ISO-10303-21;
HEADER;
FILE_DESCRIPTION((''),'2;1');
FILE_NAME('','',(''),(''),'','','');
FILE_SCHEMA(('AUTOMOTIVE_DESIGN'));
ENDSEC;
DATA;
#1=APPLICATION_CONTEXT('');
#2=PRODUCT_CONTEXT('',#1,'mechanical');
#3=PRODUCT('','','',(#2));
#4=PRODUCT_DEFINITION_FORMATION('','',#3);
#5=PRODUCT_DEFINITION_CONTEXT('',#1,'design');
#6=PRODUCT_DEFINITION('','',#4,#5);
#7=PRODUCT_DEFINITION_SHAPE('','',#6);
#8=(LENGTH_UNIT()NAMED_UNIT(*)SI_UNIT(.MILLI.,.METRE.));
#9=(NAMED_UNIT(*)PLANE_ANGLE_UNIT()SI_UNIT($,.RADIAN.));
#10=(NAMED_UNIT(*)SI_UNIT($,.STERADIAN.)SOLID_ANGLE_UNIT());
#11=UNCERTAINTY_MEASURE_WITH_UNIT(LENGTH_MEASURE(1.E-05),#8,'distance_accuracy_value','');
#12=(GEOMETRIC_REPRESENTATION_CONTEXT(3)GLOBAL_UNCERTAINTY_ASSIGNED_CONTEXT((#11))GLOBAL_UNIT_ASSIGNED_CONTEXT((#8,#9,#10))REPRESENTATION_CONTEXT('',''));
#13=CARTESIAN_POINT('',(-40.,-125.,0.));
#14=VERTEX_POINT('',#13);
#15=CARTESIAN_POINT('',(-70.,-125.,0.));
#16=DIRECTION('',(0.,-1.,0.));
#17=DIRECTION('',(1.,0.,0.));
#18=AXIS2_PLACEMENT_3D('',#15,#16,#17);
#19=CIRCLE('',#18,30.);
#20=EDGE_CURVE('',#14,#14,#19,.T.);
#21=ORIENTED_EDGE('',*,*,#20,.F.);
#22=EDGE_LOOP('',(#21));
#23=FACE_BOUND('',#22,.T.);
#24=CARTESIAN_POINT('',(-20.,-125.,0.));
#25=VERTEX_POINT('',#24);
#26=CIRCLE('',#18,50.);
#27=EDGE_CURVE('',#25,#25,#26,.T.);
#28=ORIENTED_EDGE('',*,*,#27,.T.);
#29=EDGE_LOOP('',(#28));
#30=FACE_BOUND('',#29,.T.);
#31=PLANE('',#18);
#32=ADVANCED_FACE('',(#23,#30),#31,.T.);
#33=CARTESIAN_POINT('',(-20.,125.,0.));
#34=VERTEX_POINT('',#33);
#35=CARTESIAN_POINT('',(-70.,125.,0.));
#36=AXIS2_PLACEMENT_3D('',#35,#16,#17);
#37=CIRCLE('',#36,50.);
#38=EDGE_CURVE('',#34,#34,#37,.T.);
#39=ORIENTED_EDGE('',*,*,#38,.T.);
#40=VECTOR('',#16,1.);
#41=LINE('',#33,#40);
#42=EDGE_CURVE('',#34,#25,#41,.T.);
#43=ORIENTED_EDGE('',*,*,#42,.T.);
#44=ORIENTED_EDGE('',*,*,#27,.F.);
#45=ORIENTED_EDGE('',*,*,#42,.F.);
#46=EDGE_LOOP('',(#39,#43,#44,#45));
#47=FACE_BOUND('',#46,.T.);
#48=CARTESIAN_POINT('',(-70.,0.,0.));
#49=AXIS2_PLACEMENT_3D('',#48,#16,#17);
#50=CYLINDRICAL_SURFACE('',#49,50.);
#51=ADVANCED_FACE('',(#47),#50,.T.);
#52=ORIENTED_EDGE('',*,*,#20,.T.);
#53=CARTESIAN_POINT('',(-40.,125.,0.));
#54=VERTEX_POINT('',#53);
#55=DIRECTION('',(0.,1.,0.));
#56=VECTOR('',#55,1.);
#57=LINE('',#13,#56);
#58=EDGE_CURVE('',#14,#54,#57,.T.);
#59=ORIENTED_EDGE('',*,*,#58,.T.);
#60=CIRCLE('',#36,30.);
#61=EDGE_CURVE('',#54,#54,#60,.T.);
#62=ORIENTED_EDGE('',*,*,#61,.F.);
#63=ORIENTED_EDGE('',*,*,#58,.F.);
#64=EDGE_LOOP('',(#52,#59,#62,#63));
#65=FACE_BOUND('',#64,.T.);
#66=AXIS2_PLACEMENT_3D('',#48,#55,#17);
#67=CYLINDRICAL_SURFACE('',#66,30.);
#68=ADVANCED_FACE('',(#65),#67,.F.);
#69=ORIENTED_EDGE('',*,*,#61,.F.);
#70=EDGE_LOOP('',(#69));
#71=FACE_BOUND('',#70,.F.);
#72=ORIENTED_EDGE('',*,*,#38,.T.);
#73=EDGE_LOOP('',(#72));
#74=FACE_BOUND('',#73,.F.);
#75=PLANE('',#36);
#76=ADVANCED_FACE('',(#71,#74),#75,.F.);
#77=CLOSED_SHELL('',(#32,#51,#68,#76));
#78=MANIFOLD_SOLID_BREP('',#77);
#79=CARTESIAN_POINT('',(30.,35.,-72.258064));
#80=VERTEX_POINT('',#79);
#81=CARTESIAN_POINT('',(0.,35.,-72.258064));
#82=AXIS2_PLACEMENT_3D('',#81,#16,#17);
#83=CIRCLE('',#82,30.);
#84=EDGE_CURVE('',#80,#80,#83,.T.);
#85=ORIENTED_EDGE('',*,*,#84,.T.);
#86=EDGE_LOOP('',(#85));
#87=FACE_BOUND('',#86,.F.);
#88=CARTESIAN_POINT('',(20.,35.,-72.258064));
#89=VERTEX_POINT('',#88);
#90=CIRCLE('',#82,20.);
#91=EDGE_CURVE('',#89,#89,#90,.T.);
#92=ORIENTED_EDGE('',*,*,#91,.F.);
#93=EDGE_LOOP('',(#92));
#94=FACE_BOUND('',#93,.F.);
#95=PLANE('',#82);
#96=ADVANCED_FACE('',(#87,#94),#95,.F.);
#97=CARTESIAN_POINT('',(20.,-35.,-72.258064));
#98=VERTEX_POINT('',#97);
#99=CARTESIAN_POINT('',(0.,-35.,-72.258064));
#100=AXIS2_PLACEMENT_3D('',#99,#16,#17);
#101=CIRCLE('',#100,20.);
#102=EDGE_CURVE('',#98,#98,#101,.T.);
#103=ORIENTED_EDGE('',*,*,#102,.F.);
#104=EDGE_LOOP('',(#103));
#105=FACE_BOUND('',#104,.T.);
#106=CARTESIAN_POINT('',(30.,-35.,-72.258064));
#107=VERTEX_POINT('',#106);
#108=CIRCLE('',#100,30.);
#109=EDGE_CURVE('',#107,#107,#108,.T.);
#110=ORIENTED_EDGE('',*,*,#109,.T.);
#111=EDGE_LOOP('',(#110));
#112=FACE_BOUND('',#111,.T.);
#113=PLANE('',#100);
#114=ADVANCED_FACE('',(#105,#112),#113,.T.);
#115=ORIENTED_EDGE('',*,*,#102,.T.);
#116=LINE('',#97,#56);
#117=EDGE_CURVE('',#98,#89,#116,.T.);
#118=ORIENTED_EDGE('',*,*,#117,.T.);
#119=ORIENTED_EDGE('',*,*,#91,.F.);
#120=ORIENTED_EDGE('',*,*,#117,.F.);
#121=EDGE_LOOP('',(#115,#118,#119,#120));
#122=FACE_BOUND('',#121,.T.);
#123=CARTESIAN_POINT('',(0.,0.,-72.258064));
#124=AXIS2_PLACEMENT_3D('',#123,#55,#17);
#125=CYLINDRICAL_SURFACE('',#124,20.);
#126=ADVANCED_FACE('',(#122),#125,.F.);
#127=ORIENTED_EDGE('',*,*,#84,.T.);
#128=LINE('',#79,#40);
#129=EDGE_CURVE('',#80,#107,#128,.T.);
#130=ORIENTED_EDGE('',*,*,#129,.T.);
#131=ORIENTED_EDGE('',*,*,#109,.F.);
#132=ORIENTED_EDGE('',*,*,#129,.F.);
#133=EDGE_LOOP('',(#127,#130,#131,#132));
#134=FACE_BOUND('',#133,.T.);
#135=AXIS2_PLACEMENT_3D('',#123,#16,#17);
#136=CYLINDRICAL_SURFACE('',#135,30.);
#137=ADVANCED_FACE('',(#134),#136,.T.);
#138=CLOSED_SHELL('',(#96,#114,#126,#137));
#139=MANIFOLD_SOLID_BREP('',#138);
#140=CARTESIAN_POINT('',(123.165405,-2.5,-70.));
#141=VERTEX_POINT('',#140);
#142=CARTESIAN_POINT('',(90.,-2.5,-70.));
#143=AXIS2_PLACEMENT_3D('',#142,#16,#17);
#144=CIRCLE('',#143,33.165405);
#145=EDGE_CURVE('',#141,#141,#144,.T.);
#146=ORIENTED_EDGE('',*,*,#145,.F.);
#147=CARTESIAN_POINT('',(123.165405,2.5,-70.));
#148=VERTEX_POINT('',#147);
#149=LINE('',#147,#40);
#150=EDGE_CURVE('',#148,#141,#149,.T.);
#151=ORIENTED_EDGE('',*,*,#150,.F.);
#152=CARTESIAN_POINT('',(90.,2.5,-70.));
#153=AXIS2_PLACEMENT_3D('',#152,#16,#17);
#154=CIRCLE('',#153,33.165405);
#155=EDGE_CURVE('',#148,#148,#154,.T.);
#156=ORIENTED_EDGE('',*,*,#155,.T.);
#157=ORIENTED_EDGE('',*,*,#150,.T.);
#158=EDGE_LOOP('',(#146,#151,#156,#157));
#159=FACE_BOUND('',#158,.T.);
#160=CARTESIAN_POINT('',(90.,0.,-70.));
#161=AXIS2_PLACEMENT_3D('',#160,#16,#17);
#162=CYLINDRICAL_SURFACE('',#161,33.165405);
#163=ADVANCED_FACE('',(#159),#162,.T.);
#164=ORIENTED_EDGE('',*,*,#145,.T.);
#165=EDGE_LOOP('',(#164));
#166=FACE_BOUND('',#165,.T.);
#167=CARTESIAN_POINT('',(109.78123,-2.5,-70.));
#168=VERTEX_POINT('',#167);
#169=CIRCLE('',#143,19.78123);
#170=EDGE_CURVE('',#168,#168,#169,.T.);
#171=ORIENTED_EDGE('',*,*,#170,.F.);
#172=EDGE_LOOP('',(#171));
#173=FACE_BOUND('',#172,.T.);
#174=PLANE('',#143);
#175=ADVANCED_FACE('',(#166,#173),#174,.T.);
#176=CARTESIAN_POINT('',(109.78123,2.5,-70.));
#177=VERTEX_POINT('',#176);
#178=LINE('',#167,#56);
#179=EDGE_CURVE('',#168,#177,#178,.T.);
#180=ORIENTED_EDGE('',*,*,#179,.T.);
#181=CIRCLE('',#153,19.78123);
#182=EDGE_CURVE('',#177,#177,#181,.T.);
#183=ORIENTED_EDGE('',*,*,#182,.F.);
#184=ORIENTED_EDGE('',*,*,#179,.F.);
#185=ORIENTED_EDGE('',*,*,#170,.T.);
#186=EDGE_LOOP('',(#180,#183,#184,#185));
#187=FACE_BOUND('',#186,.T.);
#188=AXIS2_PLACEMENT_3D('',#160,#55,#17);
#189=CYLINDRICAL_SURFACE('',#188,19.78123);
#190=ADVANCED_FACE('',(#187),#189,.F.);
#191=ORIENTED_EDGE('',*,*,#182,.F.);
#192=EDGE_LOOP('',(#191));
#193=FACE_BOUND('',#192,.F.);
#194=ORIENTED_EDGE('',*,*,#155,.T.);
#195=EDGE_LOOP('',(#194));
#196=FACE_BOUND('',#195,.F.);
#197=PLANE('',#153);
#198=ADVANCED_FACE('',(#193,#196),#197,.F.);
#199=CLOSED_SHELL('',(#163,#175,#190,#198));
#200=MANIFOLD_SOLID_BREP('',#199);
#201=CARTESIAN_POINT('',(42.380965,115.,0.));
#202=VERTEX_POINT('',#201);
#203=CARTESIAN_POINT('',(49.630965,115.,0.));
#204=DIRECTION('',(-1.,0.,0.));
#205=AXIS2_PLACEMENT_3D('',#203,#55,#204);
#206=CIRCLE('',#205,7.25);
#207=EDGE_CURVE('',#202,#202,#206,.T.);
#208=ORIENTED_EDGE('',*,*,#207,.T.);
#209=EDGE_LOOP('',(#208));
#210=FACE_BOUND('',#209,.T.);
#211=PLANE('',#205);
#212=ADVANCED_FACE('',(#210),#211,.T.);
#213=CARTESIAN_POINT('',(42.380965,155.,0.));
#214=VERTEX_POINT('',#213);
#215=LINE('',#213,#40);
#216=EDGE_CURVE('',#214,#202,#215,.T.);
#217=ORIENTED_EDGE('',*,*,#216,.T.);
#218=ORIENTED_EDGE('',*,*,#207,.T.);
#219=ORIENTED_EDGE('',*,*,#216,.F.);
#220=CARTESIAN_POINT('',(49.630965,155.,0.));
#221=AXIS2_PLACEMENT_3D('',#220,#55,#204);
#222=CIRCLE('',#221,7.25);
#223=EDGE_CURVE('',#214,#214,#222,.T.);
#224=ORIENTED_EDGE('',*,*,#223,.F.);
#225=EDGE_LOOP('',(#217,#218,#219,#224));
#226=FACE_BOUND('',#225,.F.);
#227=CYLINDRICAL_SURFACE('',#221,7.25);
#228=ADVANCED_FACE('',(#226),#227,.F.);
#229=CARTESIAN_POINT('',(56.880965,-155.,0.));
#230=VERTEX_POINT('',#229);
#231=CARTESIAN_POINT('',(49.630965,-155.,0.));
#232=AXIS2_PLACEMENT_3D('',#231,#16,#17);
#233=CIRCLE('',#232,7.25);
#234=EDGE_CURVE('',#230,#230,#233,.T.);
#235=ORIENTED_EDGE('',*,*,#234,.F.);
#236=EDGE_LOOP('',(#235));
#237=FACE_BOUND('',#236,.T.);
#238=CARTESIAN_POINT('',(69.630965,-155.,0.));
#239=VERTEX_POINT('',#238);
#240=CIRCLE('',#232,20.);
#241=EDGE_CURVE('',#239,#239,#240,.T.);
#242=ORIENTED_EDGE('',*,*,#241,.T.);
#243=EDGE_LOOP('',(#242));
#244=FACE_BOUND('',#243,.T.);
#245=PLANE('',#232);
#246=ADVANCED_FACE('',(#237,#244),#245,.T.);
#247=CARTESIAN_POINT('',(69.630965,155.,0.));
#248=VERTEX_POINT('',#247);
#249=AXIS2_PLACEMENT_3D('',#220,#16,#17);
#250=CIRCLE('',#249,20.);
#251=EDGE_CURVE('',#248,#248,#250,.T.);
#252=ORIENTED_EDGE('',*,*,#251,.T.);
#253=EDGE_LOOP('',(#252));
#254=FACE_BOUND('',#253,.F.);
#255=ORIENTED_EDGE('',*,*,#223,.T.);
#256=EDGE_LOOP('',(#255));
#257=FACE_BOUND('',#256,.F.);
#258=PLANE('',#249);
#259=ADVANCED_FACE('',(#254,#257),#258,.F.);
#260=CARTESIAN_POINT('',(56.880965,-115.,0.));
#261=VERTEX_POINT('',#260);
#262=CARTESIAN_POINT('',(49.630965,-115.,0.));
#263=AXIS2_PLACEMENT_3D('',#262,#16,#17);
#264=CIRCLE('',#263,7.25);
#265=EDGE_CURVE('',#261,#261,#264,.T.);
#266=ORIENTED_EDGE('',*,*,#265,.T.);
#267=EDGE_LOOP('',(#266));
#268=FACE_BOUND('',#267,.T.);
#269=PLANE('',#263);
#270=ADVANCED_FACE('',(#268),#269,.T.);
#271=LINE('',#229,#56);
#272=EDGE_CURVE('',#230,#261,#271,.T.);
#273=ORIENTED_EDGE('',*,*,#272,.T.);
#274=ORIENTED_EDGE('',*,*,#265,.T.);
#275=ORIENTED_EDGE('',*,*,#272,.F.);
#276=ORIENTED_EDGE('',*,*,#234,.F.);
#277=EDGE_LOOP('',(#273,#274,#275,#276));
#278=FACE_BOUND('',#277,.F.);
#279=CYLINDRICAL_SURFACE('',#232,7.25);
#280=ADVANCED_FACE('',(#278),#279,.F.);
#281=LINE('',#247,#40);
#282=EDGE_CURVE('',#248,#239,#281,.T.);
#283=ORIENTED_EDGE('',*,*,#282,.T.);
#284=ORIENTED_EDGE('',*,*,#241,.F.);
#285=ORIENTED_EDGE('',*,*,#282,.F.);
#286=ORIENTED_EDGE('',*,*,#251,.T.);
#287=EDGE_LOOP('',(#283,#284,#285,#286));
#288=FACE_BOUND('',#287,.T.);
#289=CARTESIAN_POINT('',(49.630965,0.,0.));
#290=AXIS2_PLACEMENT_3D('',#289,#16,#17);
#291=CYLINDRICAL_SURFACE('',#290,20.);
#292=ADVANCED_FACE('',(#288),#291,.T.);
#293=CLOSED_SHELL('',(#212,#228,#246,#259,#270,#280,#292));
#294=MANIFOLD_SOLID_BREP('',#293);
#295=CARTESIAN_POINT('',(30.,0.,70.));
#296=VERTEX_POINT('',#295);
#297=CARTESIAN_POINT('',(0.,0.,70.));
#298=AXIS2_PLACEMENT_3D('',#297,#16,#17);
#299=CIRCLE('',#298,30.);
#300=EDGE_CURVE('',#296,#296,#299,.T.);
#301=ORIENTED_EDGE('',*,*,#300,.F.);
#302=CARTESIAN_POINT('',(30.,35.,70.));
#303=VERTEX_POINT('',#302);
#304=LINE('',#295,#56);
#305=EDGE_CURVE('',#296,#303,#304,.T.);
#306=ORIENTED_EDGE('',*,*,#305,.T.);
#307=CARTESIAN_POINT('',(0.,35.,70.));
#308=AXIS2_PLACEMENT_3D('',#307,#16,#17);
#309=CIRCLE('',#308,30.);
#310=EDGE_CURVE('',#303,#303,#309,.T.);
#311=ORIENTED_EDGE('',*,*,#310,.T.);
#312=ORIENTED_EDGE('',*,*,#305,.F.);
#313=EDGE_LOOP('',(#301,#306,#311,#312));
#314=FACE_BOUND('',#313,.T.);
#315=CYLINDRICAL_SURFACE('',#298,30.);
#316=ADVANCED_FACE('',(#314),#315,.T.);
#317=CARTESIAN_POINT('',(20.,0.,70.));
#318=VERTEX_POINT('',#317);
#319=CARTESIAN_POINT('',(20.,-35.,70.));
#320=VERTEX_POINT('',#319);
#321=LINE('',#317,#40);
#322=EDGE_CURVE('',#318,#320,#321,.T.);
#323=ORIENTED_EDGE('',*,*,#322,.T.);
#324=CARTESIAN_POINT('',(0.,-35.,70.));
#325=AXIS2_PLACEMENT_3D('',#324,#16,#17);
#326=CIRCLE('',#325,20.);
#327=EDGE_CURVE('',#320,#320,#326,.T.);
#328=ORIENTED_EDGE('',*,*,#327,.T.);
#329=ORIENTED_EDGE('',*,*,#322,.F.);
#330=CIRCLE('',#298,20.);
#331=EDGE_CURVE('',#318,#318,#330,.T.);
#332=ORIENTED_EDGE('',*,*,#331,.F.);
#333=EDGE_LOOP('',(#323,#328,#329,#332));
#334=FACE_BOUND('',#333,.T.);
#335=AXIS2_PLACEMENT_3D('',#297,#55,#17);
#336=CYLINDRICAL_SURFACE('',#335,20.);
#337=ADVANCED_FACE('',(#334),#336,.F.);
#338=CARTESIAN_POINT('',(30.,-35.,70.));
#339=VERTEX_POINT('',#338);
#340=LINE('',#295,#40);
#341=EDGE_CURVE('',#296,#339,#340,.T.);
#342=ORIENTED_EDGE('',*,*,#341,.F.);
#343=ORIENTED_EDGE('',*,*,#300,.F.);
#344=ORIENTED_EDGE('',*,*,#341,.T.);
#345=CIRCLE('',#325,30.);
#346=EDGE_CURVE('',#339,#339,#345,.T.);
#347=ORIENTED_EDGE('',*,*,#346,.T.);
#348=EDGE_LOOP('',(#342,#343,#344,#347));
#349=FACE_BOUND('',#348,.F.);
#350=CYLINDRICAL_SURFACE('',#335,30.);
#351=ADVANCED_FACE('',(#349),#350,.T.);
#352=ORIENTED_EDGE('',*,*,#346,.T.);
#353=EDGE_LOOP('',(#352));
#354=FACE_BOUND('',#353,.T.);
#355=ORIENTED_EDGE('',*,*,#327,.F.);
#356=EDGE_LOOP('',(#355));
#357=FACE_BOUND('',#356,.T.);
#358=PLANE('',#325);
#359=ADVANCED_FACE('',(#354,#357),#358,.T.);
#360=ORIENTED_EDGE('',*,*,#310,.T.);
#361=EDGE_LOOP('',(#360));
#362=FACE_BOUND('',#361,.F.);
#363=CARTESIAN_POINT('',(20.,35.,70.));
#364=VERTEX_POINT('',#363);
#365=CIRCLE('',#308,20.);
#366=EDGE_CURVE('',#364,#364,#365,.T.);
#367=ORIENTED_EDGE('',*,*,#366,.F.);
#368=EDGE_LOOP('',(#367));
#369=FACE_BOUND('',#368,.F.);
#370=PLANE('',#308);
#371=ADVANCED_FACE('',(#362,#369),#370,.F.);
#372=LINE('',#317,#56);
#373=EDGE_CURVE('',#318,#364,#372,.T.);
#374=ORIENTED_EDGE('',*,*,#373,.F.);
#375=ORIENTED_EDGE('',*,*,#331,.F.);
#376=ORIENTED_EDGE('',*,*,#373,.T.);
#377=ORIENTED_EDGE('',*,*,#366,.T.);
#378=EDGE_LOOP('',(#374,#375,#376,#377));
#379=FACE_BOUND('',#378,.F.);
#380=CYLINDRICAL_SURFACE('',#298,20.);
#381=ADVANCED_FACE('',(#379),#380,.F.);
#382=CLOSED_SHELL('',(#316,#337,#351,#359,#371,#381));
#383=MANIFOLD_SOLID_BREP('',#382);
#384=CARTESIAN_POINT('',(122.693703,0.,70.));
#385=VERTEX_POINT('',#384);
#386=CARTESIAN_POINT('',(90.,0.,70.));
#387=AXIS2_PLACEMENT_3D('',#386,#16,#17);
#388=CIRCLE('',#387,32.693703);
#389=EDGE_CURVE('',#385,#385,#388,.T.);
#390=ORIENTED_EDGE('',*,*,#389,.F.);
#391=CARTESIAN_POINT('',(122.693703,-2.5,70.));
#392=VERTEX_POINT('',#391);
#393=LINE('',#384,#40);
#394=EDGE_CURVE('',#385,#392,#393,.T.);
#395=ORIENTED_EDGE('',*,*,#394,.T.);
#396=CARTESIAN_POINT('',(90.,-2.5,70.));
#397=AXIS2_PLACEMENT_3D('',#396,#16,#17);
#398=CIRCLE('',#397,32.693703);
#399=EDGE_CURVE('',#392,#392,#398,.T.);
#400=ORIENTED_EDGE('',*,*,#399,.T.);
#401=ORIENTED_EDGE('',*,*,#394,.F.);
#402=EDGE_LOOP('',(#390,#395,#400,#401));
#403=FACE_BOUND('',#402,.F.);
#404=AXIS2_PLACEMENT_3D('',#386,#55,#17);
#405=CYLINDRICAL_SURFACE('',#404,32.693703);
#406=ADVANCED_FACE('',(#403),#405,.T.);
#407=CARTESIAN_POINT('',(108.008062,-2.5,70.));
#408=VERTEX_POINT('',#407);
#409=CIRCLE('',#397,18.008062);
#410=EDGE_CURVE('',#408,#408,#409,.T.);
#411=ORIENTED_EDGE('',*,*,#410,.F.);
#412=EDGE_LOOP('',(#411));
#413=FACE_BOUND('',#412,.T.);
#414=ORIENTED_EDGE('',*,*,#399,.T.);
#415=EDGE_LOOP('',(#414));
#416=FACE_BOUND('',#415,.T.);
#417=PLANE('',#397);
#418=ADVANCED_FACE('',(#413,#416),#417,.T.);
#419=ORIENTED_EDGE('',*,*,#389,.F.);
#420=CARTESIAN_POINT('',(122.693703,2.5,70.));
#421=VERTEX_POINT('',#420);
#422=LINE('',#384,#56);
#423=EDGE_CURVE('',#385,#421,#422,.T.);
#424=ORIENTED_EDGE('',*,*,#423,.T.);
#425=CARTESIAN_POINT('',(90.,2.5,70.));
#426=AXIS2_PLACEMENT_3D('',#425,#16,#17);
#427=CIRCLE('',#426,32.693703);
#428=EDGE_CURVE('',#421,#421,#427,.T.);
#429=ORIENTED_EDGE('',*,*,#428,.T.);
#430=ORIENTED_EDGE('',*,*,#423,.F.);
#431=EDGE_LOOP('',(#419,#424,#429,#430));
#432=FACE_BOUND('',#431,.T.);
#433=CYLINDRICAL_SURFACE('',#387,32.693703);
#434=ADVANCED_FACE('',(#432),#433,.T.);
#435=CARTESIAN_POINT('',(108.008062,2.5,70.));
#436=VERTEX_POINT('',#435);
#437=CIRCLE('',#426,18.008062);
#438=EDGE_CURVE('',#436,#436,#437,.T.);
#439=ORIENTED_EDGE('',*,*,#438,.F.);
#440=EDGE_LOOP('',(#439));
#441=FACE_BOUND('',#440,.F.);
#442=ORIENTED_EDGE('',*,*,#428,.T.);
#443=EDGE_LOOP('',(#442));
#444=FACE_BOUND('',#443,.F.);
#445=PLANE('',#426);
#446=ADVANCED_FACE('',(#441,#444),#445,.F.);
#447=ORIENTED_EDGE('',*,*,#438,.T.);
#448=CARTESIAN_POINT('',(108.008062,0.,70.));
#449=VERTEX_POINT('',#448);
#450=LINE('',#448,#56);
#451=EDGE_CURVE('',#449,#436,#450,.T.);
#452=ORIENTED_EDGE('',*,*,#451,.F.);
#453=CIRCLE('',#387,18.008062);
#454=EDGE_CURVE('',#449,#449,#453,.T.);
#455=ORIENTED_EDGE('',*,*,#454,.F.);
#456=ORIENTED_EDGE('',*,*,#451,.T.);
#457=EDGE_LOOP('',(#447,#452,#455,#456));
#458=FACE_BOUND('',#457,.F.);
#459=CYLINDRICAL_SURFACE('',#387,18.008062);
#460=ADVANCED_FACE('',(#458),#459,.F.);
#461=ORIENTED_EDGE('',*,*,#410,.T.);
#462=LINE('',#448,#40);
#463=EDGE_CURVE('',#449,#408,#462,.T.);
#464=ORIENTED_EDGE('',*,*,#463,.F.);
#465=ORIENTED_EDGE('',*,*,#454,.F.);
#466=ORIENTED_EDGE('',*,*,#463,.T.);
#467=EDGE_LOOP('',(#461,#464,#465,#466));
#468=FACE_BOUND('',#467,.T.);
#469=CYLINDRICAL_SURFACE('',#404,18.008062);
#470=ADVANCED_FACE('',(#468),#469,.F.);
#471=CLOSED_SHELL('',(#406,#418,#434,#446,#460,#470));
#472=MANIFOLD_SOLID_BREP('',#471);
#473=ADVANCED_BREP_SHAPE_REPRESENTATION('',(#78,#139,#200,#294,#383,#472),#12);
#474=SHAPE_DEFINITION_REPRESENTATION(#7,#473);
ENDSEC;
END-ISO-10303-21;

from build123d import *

# Parameters (mm, degrees)
F0_R      = 50
F0_R_2    = 30
F1_DEPTH  = 125
F2_R      = 30
F2_R_2    = 20
F3_DEPTH  = 35
F4_R      = 32.693703
F4_R_2    = 18.008062
F4_R_3    = 33.165405
F4_R_4    = 19.78123
F5_DEPTH  = 2.5
F6_R      = 20
F7_DEPTH  = 155
F8_R      = 7.25
F9_DEPTH  = 40
F10_R     = 7.25
F11_DEPTH = 40


with BuildPart() as f1:
    # F0 (on Front) → F1 (new body, symmetric)
    with BuildSketch(Plane.XZ):
        with Locations((-70, 0)):
            Circle(F0_R)
        with Locations((-70, 0)):
            Circle(F0_R_2, mode=Mode.SUBTRACT)
    extrude(amount=F1_DEPTH, both=True)


with BuildPart() as f3:
    # F2 (on Front) → F3 (new body, symmetric)
    with BuildSketch(Plane.XZ):
        with Locations((0, 70)):
            Circle(F2_R)
        with Locations((0, 70)):
            Circle(F2_R_2, mode=Mode.SUBTRACT)
        with Locations((0, -72.258064)):
            Circle(F2_R)
        with Locations((0, -72.258064)):
            Circle(F2_R_2, mode=Mode.SUBTRACT)
    extrude(amount=F3_DEPTH, both=True)


with BuildPart() as f5:
    # F4 (on Front) → F5 (new body, symmetric)
    with BuildSketch(Plane.XZ):
        with Locations((90, 70)):
            Circle(F4_R)
        with Locations((90, 70)):
            Circle(F4_R_2, mode=Mode.SUBTRACT)
        with Locations((90, -70)):
            Circle(F4_R_3)
        with Locations((90, -70)):
            Circle(F4_R_4, mode=Mode.SUBTRACT)
    extrude(amount=F5_DEPTH, both=True)


with BuildPart() as f7:
    # F6 (on Front) → F7 (new body, symmetric)
    with BuildSketch(Plane.XZ):
        with Locations((49.630965, 0)):
            Circle(F6_R)
    extrude(amount=F7_DEPTH, both=True)

    # F8 (on face) → F9 (cut)
    with BuildSketch(Plane.XZ.offset(155)):
        with Locations((49.630965, 0)):
            Circle(F8_R)
    extrude(amount=-F9_DEPTH, mode=Mode.SUBTRACT)

    # F10 (on face) → F11 (cut)
    with BuildSketch(Plane(origin=(0, 155, 0), x_dir=(-1, 0, 0), z_dir=(0, 1, 0))):
        with Locations((-49.630965, 0)):
            Circle(F10_R)
    extrude(amount=-F11_DEPTH, mode=Mode.SUBTRACT)


solid = Compound([f1.part, f3.part, f5.part, f7.part])
